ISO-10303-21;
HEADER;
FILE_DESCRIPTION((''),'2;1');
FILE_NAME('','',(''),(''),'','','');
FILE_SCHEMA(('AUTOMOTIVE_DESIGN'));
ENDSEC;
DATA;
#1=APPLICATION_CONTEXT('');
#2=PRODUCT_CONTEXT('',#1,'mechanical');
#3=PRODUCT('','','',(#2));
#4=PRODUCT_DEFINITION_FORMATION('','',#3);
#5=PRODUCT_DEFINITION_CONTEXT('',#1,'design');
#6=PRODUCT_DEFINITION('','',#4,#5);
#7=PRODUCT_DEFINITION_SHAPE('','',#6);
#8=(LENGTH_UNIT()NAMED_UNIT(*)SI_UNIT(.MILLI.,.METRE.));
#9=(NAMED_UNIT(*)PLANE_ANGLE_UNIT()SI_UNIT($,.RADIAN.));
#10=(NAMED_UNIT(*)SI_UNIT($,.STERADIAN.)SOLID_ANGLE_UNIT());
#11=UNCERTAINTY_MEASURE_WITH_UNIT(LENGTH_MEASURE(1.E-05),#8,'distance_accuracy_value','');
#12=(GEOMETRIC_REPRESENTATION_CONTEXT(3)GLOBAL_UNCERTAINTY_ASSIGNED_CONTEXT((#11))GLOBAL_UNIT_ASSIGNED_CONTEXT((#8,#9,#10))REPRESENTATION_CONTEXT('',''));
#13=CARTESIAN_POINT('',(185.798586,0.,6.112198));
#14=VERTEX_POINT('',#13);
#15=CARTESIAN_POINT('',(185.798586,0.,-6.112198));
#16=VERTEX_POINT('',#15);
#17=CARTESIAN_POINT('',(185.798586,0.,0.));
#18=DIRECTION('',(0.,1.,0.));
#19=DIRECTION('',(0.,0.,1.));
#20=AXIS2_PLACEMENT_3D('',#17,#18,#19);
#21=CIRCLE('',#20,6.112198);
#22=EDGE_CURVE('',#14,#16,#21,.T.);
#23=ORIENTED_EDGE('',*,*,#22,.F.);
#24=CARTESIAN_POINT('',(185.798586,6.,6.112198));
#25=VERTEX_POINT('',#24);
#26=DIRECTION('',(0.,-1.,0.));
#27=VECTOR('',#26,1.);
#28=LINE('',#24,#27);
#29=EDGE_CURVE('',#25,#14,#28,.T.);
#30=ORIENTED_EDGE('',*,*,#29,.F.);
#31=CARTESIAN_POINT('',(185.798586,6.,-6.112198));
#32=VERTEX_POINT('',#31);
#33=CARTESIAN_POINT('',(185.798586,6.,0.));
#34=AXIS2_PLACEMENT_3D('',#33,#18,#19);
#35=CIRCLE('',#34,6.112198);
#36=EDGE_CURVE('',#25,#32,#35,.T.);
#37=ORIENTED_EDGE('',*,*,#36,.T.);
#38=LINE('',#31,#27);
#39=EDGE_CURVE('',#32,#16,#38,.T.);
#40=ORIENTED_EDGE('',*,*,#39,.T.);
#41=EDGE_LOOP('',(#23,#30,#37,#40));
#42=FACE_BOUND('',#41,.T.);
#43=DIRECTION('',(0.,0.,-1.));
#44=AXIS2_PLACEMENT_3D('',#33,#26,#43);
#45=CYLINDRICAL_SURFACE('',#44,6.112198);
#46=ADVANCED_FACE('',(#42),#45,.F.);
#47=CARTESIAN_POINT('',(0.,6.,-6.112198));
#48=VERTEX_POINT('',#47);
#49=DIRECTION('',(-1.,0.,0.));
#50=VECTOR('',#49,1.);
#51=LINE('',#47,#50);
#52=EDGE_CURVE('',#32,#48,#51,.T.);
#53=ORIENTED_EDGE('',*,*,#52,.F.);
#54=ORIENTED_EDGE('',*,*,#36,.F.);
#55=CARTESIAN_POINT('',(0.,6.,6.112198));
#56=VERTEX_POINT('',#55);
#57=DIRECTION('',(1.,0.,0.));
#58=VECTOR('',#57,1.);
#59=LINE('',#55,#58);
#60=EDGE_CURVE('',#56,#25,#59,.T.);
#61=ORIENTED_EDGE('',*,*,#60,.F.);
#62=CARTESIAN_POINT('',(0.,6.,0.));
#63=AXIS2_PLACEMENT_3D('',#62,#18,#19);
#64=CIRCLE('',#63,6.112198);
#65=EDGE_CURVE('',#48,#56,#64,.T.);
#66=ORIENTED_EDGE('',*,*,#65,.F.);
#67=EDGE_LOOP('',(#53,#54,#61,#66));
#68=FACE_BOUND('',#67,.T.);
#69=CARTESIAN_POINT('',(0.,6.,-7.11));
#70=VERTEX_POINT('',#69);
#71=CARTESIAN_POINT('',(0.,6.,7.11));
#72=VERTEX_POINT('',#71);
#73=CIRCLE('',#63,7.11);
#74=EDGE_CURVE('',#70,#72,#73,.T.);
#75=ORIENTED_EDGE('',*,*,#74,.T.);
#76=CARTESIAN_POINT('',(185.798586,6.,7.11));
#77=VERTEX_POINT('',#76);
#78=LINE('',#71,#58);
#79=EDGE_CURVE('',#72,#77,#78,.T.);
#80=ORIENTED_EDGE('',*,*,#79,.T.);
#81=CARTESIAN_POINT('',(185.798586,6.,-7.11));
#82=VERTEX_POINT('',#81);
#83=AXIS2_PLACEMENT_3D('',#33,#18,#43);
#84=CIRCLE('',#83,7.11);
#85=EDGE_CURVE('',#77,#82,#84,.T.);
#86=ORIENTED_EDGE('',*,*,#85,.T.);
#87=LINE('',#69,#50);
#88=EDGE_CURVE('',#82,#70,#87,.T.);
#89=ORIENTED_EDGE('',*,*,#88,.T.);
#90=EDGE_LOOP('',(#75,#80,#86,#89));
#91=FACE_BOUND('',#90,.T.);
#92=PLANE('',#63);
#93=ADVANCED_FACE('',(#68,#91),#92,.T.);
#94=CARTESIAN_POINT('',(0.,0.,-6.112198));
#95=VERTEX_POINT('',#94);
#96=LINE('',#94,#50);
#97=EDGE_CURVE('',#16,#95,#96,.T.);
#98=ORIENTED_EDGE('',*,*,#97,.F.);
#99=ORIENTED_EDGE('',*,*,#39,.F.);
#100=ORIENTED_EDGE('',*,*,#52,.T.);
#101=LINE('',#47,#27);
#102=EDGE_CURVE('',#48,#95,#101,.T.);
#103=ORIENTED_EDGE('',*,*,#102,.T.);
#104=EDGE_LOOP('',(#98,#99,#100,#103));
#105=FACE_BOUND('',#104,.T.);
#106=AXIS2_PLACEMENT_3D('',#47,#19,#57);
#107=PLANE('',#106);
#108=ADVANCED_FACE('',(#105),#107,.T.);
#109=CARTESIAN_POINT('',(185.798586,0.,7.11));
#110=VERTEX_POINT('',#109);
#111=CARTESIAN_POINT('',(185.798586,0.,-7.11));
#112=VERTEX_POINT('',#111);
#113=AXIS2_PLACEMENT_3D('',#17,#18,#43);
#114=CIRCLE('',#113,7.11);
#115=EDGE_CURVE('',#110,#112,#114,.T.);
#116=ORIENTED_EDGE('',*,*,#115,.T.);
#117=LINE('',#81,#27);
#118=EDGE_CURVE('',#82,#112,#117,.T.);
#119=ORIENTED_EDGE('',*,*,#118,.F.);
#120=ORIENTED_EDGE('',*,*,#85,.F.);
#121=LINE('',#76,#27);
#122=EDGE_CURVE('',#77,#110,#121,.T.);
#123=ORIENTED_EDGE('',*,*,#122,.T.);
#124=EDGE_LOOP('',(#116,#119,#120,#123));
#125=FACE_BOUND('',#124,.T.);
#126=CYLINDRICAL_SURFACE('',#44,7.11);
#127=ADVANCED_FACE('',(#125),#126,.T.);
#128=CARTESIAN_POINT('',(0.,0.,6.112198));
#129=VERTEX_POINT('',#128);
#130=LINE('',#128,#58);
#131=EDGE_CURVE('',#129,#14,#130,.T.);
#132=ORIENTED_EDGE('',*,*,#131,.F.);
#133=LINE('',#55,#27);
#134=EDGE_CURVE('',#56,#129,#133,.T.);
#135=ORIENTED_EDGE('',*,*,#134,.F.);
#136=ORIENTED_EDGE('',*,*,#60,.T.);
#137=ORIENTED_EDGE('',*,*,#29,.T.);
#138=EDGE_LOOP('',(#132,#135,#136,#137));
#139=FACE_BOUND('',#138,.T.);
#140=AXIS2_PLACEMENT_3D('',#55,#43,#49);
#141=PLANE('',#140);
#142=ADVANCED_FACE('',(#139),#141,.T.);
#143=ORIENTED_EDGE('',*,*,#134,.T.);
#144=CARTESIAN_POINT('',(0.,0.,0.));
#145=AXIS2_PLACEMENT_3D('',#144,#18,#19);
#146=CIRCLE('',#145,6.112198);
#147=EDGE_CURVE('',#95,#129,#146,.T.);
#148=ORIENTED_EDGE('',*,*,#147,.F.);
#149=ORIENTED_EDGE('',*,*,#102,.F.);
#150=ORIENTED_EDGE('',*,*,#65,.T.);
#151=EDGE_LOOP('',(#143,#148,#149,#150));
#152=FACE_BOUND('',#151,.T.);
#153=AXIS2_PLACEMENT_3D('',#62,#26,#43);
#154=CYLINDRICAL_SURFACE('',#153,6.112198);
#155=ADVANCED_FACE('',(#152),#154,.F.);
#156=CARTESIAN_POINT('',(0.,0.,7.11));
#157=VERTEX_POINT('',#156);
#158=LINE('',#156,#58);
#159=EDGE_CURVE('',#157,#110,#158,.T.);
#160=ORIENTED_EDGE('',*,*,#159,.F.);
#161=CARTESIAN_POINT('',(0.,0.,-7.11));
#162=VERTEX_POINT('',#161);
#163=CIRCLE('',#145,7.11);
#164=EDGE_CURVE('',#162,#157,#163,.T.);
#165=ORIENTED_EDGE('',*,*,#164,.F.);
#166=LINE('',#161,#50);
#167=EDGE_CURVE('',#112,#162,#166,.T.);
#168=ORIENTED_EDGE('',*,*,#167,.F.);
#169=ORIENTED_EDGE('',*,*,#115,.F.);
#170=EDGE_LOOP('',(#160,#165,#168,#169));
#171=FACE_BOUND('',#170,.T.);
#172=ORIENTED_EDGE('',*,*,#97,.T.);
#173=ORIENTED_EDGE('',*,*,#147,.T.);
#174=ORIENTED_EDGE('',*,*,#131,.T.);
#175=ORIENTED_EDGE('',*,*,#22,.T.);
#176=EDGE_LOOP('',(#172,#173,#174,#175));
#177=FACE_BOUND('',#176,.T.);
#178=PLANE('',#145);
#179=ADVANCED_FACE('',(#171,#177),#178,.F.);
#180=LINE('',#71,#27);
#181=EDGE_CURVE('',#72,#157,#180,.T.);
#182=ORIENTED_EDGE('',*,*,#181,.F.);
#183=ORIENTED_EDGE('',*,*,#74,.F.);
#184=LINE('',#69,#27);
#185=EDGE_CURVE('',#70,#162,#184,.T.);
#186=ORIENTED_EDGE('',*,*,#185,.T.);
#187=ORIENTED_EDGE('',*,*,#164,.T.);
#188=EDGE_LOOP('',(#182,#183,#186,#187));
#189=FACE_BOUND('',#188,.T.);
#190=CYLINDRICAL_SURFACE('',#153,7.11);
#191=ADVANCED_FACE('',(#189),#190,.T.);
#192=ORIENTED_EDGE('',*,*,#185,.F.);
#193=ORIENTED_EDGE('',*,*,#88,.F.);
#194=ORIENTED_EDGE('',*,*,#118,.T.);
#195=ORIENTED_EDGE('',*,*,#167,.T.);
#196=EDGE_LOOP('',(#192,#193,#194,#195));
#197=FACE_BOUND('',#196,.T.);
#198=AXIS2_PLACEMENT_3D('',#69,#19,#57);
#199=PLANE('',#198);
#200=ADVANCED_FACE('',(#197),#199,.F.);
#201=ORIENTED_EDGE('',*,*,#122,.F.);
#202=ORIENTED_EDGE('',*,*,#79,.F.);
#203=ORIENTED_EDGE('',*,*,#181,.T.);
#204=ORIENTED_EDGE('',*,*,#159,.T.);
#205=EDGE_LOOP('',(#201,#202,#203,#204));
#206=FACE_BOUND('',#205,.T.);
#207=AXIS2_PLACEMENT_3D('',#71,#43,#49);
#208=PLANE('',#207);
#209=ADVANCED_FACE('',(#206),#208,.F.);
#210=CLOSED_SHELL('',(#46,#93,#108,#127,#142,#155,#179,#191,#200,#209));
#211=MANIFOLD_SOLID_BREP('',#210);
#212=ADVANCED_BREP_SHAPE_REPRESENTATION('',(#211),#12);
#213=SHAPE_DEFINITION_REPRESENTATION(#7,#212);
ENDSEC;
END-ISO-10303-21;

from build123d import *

# Parameters (mm, degrees)
BOSS_EXTRUDE1_DEPTH = 6


with BuildPart() as part:
    # Sketch1 → Boss-Extrude1 (new body)
    with BuildSketch(Plane(origin=(0, 0, 0), x_dir=(1, 0, 0), z_dir=(0, 1, 0))):
        with BuildLine():
            Line((0, 7.11), (185.798585701, 7.11))
            ThreePointArc((185.798585701, 7.11), (192.908585701, 0), (185.798585701, -7.11))
            Line((185.798585701, -7.11), (0, -7.11))
            ThreePointArc((0, -7.11), (-7.11, 0), (0, 7.11))
        make_face()
        with BuildLine():
            Line((0, 6.112197724), (185.798585701, 6.112197724))
            ThreePointArc((185.798585701, 6.112197724), (191.910783425, 0), (185.798585701, -6.112197724))
            Line((185.798585701, -6.112197724), (0, -6.112197724))
            ThreePointArc((0, -6.112197724), (-6.112197724, 0), (0, 6.112197724))
        make_face(mode=Mode.SUBTRACT)
    extrude(amount=BOSS_EXTRUDE1_DEPTH)


solid = part.part
